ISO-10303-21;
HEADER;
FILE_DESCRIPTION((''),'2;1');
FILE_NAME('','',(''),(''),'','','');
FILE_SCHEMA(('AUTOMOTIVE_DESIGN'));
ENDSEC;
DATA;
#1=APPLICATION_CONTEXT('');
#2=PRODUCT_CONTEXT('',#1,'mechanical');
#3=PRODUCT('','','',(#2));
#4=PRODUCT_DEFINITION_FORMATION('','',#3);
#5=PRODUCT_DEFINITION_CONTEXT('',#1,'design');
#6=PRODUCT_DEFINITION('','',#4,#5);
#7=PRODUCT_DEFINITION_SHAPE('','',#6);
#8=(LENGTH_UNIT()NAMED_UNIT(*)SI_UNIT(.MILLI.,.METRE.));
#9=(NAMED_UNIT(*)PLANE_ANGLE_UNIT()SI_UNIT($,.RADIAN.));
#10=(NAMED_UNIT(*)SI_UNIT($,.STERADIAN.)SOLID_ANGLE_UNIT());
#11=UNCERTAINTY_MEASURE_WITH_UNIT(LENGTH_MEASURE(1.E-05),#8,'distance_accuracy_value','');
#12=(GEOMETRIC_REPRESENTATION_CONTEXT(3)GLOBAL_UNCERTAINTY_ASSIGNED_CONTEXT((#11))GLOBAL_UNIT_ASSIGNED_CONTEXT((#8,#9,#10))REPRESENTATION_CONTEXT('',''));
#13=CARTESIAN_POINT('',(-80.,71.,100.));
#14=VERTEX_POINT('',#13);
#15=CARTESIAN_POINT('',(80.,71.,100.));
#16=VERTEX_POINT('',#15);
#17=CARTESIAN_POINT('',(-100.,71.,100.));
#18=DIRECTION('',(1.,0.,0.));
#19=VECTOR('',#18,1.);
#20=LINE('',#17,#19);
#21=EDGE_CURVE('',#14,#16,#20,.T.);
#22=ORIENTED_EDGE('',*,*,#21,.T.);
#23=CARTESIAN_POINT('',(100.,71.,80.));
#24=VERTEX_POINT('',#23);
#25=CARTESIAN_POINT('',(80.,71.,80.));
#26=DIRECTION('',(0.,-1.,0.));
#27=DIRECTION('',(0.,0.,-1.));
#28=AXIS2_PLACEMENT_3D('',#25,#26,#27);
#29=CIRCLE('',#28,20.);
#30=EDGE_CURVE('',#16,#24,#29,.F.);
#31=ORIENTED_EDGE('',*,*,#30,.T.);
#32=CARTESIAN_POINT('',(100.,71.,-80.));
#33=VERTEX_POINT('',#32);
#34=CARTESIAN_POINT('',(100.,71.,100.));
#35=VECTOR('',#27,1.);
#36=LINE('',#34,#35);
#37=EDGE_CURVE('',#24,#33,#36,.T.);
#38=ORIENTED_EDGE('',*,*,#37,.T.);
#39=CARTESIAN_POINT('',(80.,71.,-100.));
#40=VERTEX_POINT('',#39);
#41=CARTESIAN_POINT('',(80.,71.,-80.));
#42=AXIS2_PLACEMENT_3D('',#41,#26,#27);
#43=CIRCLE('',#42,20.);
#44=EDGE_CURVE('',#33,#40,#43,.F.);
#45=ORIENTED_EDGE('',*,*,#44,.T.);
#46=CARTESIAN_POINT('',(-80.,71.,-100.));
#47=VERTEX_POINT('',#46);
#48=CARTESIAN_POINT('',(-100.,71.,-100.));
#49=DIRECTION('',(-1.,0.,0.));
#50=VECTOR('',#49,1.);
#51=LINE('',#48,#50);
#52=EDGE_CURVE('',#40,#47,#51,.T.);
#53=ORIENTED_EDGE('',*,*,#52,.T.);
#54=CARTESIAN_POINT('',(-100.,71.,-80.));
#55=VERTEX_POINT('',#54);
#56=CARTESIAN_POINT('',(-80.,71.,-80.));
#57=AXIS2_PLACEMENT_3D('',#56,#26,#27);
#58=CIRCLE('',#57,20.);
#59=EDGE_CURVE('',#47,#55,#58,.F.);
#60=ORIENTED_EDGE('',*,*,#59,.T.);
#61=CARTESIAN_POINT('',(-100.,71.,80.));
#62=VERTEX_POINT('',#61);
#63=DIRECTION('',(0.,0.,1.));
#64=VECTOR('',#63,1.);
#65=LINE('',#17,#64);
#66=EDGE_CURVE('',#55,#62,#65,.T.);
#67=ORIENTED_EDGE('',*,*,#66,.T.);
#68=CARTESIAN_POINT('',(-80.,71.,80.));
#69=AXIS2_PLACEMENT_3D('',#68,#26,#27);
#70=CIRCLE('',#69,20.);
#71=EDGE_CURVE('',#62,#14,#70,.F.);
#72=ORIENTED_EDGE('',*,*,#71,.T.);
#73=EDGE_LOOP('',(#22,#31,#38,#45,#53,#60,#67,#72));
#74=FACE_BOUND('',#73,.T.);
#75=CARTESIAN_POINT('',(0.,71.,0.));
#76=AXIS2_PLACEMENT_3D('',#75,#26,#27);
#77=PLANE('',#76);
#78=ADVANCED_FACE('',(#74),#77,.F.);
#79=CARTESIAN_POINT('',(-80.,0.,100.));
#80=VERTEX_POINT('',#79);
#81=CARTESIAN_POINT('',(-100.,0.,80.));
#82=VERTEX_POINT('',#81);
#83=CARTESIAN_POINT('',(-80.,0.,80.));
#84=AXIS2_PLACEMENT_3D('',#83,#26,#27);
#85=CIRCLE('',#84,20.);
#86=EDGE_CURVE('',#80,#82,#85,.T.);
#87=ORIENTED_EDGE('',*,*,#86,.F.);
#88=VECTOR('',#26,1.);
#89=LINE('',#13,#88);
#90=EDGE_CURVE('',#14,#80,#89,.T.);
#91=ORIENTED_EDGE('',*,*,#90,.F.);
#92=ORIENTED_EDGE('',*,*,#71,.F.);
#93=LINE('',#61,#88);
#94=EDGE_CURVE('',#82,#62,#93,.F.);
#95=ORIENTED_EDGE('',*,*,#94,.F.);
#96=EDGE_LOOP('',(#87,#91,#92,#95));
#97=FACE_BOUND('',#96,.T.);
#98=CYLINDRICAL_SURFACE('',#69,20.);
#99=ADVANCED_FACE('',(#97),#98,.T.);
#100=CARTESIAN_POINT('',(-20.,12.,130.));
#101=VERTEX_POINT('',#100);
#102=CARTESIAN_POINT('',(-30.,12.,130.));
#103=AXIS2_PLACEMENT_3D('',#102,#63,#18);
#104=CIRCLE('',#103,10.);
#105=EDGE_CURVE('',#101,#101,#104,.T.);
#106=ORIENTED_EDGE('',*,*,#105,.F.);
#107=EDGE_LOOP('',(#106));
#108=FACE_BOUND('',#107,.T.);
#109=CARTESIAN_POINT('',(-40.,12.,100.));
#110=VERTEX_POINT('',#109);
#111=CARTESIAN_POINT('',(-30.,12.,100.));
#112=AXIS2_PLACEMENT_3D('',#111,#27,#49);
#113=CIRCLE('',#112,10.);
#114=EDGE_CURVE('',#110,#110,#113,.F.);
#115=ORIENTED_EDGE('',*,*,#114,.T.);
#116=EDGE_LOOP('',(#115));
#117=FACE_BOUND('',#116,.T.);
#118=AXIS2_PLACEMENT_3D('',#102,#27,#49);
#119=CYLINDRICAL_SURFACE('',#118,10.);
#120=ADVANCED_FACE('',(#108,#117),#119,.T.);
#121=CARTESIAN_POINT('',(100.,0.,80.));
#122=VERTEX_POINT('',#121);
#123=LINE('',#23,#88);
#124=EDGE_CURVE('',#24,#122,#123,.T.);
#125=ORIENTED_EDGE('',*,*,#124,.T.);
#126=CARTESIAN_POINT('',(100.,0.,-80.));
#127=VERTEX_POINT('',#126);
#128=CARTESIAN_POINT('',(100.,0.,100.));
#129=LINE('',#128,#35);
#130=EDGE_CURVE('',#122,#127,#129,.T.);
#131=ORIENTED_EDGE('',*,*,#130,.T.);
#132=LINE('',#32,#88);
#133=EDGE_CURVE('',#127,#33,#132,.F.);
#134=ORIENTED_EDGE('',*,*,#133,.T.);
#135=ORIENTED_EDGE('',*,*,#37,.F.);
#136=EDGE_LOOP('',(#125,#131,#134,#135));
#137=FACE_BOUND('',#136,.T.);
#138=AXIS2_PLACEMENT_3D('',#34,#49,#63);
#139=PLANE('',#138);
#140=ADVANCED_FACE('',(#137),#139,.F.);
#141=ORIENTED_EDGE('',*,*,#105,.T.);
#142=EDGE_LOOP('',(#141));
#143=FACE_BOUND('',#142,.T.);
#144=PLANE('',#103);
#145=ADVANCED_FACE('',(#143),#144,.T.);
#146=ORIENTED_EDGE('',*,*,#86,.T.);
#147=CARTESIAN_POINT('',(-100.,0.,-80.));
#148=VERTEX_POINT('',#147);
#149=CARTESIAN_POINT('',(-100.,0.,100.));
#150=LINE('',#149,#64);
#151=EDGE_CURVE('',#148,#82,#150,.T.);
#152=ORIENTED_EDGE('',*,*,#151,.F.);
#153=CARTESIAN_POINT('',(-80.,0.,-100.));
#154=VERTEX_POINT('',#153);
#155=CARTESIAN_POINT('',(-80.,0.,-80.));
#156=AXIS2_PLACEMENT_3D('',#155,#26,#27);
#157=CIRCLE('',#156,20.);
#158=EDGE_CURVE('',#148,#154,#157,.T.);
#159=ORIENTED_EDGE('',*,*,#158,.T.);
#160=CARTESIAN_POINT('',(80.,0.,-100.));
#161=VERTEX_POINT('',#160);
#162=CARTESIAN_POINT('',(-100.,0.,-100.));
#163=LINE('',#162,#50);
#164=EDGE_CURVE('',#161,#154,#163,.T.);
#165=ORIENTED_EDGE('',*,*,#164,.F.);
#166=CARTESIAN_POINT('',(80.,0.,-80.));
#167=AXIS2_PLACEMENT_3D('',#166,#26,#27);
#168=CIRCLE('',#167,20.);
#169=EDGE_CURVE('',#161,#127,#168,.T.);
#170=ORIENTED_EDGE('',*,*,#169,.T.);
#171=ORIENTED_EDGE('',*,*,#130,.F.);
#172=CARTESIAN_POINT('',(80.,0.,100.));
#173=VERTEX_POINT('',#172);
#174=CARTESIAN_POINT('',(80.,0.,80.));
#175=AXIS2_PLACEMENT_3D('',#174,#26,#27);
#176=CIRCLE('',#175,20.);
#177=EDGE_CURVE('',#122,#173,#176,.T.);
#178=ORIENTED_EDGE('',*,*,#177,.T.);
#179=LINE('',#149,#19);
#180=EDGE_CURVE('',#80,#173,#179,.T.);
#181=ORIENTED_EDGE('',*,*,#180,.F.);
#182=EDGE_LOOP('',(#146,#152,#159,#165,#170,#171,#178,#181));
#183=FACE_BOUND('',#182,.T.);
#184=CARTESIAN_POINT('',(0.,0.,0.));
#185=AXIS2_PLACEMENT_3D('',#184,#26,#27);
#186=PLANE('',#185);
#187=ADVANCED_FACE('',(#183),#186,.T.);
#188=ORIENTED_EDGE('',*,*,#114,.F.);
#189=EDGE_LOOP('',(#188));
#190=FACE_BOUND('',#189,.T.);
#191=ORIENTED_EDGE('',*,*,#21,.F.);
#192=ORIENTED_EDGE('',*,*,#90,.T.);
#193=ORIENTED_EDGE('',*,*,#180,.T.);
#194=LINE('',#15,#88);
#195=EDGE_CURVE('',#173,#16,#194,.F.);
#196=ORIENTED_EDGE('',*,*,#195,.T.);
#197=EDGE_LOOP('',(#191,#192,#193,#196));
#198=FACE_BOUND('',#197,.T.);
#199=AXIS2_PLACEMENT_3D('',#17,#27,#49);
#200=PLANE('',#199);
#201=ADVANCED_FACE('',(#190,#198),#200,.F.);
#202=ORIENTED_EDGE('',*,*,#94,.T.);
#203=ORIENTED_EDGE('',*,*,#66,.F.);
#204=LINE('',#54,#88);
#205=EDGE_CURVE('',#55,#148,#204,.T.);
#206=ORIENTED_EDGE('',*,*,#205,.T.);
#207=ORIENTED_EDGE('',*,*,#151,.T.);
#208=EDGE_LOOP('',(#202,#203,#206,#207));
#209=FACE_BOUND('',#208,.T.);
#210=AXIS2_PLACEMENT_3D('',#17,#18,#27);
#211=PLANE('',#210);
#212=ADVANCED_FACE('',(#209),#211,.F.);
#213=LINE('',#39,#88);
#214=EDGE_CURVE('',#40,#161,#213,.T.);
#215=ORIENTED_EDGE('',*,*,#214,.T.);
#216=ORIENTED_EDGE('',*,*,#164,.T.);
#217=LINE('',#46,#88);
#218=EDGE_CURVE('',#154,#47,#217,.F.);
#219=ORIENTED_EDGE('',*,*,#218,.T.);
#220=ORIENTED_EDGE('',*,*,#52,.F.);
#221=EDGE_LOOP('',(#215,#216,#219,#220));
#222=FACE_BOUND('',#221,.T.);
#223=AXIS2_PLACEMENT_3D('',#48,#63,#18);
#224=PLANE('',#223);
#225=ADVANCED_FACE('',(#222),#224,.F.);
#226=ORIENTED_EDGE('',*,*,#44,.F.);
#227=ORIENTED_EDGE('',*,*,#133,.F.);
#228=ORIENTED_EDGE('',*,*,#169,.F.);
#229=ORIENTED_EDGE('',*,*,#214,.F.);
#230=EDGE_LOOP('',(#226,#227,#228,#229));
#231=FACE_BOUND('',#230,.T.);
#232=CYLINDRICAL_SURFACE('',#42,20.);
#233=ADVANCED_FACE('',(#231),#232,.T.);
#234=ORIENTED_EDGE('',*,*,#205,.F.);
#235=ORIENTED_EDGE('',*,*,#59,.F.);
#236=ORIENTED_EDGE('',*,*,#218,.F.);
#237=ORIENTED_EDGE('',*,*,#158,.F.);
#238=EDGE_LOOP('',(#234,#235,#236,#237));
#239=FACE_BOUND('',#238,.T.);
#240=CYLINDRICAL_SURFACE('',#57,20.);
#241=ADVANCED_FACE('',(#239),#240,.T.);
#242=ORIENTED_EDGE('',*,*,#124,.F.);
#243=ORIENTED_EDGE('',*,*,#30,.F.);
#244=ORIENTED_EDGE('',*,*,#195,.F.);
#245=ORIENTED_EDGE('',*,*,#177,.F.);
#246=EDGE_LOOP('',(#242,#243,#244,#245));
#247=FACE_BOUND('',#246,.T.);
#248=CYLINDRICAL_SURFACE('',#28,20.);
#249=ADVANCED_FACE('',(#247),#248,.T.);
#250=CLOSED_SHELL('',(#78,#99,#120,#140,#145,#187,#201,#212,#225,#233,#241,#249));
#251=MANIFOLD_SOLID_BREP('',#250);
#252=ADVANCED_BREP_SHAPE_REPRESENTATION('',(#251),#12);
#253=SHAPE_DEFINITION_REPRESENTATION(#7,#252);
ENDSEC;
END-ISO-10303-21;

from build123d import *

# Parameters (mm, degrees)
SKETCH1_W           = 200
SKETCH1_H           = 200
BOSS_EXTRUDE1_DEPTH = 71
FILLET1_R           = 20
SKETCH2_R           = 10
BOSS_EXTRUDE2_DEPTH = 30


with BuildPart() as part:
    # Sketch1 → Boss-Extrude1 (new body)
    with BuildSketch(Plane(origin=(0, 0, 0), x_dir=(1, 0, 0), z_dir=(0, 1, 0))):
        Rectangle(SKETCH1_W, SKETCH1_H)
    extrude(amount=BOSS_EXTRUDE1_DEPTH)

    # Fillet1
    fillet1_edges = [part.edges().sort_by_distance(p)[0] for p in [
        (100, 35.5, 100),
        (-100, 35.5, 100),
        (-100, 35.5, -100),
        (100, 35.5, -100),
    ]]
    fillet(fillet1_edges, radius=FILLET1_R)

    # Sketch2 → Boss-Extrude2 (add)
    with BuildSketch(Plane.XY.offset(100)):
        with Locations(Location((-30, 12, 0), (0, 0, 180))):
            Circle(SKETCH2_R)
    extrude(amount=BOSS_EXTRUDE2_DEPTH)


solid = part.part
